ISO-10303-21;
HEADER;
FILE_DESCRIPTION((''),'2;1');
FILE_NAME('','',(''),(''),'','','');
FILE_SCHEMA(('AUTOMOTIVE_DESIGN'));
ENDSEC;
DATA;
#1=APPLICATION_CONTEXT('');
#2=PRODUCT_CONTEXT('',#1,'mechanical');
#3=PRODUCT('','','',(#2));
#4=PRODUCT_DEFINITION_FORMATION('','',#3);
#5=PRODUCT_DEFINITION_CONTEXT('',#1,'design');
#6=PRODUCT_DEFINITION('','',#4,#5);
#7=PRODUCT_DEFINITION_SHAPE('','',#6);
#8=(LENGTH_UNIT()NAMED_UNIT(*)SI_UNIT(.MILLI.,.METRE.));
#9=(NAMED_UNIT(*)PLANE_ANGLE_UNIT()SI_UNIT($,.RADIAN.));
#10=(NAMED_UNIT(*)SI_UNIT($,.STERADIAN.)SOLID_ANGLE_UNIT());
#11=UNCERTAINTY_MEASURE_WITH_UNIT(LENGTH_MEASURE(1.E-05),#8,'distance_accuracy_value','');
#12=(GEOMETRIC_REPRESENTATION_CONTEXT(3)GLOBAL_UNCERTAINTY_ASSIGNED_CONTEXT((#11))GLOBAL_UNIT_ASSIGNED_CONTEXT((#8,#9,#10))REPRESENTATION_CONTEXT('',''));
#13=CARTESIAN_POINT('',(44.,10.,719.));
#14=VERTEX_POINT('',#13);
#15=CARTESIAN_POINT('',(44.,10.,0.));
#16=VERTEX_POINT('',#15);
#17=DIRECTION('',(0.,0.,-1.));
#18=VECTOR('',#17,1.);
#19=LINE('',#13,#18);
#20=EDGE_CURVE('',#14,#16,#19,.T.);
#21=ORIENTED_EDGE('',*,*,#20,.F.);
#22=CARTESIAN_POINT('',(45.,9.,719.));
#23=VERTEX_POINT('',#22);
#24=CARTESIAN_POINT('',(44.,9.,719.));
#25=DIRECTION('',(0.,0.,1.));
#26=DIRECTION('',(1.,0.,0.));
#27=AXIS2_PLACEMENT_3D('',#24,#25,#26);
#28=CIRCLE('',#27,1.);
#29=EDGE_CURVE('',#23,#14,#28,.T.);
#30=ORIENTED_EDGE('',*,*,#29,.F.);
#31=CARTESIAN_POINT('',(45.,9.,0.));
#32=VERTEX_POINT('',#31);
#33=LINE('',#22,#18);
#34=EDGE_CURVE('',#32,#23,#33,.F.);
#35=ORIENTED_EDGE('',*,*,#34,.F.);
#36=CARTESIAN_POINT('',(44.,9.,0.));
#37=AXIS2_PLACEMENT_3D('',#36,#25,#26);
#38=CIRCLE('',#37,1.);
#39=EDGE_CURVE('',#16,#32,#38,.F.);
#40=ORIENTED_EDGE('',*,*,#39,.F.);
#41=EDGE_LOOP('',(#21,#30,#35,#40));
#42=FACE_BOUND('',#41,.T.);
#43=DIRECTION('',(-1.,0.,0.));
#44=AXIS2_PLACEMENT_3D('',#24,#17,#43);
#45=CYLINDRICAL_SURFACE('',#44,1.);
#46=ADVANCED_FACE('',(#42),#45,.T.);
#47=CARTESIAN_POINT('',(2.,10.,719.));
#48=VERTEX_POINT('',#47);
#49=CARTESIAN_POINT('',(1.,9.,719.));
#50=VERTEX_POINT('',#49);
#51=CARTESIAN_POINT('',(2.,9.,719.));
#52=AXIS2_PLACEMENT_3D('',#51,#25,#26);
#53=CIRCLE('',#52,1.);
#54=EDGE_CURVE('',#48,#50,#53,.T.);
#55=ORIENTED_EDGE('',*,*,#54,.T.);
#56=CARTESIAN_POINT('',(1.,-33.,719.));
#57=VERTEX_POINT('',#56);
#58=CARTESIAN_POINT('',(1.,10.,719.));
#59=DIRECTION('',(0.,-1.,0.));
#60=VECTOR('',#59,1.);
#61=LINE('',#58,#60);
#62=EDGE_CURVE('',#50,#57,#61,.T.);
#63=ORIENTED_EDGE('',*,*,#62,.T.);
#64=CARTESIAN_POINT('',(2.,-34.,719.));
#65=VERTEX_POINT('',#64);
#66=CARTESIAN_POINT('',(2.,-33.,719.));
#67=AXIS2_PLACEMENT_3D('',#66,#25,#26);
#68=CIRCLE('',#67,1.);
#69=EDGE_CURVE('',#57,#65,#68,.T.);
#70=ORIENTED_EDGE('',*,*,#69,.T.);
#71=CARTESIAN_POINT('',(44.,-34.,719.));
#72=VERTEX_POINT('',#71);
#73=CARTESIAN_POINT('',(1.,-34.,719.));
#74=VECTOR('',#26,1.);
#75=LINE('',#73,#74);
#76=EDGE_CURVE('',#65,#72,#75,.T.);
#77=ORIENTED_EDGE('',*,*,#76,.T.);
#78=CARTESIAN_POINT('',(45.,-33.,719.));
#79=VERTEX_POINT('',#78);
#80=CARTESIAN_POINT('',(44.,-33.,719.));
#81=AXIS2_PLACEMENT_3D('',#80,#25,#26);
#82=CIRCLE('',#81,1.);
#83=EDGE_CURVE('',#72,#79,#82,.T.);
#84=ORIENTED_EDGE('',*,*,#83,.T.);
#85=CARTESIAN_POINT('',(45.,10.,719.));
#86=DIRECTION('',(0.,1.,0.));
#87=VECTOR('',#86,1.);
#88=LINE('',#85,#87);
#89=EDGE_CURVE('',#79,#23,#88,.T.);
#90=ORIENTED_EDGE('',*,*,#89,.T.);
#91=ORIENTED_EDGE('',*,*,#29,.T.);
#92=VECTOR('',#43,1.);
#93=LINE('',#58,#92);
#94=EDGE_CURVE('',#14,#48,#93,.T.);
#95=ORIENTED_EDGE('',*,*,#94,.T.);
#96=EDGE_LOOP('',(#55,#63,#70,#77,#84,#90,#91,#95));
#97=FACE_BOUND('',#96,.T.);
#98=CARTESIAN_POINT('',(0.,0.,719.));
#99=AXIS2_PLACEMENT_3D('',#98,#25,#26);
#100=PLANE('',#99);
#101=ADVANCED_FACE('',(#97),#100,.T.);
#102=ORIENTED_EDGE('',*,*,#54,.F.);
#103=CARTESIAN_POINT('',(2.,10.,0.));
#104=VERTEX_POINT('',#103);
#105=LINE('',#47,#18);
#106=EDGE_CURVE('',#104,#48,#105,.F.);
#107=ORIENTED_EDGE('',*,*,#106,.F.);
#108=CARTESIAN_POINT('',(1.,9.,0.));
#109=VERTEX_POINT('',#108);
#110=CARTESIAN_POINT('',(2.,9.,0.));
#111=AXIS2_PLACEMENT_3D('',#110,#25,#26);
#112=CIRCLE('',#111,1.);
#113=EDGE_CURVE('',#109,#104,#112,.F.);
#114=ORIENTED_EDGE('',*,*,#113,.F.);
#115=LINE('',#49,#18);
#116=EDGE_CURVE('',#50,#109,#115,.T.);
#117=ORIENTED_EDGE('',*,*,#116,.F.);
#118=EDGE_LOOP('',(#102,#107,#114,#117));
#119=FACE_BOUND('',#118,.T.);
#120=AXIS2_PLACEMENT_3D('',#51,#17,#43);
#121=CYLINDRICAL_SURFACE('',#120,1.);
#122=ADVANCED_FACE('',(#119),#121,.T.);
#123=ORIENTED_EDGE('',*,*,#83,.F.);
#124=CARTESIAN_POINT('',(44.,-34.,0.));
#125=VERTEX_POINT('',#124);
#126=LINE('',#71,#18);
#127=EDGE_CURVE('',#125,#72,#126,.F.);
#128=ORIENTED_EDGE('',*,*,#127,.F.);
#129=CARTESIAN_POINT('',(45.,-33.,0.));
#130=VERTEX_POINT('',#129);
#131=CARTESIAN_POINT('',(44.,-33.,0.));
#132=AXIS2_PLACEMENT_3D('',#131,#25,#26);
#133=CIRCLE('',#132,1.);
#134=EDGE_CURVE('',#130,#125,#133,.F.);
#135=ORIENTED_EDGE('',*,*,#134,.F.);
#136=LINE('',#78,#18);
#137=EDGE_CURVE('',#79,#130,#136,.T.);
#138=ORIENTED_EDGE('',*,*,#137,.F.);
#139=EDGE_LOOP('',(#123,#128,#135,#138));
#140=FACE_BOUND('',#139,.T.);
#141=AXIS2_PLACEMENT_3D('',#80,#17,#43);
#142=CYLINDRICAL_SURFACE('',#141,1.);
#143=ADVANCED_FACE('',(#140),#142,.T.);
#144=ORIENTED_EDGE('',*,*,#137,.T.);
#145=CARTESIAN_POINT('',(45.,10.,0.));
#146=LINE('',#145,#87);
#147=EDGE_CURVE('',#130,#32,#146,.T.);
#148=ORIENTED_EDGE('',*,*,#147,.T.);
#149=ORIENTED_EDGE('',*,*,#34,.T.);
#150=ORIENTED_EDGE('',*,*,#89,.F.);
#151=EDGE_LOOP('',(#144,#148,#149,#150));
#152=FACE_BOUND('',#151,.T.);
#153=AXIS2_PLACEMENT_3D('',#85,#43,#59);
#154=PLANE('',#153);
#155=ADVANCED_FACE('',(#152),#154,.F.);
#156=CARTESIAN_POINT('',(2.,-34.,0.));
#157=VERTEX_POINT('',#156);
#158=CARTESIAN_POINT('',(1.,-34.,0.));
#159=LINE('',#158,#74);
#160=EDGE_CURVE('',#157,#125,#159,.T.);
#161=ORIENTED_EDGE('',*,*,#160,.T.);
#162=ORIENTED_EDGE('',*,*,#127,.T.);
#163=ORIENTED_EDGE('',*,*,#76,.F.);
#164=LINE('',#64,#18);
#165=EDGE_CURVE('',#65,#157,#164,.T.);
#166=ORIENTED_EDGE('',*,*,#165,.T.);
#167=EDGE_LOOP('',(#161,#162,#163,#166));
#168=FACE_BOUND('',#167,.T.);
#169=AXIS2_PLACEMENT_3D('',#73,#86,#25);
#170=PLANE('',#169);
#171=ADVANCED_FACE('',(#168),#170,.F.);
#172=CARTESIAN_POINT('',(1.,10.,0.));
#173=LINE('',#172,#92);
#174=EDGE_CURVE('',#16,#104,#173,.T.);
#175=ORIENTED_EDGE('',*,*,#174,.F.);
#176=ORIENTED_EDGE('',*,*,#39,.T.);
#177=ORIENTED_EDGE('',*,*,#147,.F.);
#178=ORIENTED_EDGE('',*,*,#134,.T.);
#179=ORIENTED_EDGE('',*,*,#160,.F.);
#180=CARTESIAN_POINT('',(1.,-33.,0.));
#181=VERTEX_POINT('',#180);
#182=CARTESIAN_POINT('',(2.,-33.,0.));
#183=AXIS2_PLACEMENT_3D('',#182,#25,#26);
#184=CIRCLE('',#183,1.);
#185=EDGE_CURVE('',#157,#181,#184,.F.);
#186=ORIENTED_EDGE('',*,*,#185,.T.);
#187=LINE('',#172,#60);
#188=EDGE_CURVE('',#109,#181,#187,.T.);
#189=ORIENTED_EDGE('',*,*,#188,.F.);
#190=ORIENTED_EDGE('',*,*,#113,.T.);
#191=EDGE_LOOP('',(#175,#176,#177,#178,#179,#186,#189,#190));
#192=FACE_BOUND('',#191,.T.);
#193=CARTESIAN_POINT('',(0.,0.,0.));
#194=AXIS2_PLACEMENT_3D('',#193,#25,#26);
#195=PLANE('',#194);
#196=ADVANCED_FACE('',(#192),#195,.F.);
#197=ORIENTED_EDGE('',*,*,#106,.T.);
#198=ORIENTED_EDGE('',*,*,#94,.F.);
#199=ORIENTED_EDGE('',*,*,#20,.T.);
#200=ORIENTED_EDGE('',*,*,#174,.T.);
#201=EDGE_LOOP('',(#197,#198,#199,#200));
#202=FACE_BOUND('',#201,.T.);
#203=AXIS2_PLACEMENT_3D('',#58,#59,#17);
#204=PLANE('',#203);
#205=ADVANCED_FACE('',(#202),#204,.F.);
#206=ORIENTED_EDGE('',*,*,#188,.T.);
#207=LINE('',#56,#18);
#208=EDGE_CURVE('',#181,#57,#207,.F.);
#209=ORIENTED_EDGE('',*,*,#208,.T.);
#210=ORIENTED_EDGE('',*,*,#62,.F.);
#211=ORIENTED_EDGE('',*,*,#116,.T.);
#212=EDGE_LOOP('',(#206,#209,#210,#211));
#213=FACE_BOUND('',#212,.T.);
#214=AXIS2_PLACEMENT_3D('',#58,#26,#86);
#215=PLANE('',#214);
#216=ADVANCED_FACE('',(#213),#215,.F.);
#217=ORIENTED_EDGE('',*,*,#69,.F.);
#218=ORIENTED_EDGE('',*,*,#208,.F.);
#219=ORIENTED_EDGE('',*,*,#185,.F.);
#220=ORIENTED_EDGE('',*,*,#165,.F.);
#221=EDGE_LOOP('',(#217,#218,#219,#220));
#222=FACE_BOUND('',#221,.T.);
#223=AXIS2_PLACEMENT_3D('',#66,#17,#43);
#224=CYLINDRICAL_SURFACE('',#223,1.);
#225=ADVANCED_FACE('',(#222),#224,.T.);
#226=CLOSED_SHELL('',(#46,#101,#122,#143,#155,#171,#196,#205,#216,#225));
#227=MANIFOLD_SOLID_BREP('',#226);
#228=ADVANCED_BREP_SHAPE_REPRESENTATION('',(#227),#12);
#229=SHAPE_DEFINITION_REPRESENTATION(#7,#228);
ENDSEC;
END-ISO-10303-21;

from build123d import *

# Parameters (mm, degrees)
SKETCH1_W           = 44
SKETCH1_H           = 44
BOSS_EXTRUDE1_DEPTH = 719
FILLET3_R           = 1


with BuildPart() as part:
    # Sketch1 → Boss-Extrude1 (new body)
    with BuildSketch(Plane.XY):
        with Locations((23, -12)):
            Rectangle(SKETCH1_W, SKETCH1_H)
    extrude(amount=BOSS_EXTRUDE1_DEPTH)

    # Fillet3
    fillet3_edges = [part.edges().sort_by_distance(p)[0] for p in [
        (1, 10, 359.5),
        (45, 10, 359.5),
        (45, -34, 359.5),
        (1, -34, 359.5),
    ]]
    fillet(fillet3_edges, radius=FILLET3_R)


solid = part.part
